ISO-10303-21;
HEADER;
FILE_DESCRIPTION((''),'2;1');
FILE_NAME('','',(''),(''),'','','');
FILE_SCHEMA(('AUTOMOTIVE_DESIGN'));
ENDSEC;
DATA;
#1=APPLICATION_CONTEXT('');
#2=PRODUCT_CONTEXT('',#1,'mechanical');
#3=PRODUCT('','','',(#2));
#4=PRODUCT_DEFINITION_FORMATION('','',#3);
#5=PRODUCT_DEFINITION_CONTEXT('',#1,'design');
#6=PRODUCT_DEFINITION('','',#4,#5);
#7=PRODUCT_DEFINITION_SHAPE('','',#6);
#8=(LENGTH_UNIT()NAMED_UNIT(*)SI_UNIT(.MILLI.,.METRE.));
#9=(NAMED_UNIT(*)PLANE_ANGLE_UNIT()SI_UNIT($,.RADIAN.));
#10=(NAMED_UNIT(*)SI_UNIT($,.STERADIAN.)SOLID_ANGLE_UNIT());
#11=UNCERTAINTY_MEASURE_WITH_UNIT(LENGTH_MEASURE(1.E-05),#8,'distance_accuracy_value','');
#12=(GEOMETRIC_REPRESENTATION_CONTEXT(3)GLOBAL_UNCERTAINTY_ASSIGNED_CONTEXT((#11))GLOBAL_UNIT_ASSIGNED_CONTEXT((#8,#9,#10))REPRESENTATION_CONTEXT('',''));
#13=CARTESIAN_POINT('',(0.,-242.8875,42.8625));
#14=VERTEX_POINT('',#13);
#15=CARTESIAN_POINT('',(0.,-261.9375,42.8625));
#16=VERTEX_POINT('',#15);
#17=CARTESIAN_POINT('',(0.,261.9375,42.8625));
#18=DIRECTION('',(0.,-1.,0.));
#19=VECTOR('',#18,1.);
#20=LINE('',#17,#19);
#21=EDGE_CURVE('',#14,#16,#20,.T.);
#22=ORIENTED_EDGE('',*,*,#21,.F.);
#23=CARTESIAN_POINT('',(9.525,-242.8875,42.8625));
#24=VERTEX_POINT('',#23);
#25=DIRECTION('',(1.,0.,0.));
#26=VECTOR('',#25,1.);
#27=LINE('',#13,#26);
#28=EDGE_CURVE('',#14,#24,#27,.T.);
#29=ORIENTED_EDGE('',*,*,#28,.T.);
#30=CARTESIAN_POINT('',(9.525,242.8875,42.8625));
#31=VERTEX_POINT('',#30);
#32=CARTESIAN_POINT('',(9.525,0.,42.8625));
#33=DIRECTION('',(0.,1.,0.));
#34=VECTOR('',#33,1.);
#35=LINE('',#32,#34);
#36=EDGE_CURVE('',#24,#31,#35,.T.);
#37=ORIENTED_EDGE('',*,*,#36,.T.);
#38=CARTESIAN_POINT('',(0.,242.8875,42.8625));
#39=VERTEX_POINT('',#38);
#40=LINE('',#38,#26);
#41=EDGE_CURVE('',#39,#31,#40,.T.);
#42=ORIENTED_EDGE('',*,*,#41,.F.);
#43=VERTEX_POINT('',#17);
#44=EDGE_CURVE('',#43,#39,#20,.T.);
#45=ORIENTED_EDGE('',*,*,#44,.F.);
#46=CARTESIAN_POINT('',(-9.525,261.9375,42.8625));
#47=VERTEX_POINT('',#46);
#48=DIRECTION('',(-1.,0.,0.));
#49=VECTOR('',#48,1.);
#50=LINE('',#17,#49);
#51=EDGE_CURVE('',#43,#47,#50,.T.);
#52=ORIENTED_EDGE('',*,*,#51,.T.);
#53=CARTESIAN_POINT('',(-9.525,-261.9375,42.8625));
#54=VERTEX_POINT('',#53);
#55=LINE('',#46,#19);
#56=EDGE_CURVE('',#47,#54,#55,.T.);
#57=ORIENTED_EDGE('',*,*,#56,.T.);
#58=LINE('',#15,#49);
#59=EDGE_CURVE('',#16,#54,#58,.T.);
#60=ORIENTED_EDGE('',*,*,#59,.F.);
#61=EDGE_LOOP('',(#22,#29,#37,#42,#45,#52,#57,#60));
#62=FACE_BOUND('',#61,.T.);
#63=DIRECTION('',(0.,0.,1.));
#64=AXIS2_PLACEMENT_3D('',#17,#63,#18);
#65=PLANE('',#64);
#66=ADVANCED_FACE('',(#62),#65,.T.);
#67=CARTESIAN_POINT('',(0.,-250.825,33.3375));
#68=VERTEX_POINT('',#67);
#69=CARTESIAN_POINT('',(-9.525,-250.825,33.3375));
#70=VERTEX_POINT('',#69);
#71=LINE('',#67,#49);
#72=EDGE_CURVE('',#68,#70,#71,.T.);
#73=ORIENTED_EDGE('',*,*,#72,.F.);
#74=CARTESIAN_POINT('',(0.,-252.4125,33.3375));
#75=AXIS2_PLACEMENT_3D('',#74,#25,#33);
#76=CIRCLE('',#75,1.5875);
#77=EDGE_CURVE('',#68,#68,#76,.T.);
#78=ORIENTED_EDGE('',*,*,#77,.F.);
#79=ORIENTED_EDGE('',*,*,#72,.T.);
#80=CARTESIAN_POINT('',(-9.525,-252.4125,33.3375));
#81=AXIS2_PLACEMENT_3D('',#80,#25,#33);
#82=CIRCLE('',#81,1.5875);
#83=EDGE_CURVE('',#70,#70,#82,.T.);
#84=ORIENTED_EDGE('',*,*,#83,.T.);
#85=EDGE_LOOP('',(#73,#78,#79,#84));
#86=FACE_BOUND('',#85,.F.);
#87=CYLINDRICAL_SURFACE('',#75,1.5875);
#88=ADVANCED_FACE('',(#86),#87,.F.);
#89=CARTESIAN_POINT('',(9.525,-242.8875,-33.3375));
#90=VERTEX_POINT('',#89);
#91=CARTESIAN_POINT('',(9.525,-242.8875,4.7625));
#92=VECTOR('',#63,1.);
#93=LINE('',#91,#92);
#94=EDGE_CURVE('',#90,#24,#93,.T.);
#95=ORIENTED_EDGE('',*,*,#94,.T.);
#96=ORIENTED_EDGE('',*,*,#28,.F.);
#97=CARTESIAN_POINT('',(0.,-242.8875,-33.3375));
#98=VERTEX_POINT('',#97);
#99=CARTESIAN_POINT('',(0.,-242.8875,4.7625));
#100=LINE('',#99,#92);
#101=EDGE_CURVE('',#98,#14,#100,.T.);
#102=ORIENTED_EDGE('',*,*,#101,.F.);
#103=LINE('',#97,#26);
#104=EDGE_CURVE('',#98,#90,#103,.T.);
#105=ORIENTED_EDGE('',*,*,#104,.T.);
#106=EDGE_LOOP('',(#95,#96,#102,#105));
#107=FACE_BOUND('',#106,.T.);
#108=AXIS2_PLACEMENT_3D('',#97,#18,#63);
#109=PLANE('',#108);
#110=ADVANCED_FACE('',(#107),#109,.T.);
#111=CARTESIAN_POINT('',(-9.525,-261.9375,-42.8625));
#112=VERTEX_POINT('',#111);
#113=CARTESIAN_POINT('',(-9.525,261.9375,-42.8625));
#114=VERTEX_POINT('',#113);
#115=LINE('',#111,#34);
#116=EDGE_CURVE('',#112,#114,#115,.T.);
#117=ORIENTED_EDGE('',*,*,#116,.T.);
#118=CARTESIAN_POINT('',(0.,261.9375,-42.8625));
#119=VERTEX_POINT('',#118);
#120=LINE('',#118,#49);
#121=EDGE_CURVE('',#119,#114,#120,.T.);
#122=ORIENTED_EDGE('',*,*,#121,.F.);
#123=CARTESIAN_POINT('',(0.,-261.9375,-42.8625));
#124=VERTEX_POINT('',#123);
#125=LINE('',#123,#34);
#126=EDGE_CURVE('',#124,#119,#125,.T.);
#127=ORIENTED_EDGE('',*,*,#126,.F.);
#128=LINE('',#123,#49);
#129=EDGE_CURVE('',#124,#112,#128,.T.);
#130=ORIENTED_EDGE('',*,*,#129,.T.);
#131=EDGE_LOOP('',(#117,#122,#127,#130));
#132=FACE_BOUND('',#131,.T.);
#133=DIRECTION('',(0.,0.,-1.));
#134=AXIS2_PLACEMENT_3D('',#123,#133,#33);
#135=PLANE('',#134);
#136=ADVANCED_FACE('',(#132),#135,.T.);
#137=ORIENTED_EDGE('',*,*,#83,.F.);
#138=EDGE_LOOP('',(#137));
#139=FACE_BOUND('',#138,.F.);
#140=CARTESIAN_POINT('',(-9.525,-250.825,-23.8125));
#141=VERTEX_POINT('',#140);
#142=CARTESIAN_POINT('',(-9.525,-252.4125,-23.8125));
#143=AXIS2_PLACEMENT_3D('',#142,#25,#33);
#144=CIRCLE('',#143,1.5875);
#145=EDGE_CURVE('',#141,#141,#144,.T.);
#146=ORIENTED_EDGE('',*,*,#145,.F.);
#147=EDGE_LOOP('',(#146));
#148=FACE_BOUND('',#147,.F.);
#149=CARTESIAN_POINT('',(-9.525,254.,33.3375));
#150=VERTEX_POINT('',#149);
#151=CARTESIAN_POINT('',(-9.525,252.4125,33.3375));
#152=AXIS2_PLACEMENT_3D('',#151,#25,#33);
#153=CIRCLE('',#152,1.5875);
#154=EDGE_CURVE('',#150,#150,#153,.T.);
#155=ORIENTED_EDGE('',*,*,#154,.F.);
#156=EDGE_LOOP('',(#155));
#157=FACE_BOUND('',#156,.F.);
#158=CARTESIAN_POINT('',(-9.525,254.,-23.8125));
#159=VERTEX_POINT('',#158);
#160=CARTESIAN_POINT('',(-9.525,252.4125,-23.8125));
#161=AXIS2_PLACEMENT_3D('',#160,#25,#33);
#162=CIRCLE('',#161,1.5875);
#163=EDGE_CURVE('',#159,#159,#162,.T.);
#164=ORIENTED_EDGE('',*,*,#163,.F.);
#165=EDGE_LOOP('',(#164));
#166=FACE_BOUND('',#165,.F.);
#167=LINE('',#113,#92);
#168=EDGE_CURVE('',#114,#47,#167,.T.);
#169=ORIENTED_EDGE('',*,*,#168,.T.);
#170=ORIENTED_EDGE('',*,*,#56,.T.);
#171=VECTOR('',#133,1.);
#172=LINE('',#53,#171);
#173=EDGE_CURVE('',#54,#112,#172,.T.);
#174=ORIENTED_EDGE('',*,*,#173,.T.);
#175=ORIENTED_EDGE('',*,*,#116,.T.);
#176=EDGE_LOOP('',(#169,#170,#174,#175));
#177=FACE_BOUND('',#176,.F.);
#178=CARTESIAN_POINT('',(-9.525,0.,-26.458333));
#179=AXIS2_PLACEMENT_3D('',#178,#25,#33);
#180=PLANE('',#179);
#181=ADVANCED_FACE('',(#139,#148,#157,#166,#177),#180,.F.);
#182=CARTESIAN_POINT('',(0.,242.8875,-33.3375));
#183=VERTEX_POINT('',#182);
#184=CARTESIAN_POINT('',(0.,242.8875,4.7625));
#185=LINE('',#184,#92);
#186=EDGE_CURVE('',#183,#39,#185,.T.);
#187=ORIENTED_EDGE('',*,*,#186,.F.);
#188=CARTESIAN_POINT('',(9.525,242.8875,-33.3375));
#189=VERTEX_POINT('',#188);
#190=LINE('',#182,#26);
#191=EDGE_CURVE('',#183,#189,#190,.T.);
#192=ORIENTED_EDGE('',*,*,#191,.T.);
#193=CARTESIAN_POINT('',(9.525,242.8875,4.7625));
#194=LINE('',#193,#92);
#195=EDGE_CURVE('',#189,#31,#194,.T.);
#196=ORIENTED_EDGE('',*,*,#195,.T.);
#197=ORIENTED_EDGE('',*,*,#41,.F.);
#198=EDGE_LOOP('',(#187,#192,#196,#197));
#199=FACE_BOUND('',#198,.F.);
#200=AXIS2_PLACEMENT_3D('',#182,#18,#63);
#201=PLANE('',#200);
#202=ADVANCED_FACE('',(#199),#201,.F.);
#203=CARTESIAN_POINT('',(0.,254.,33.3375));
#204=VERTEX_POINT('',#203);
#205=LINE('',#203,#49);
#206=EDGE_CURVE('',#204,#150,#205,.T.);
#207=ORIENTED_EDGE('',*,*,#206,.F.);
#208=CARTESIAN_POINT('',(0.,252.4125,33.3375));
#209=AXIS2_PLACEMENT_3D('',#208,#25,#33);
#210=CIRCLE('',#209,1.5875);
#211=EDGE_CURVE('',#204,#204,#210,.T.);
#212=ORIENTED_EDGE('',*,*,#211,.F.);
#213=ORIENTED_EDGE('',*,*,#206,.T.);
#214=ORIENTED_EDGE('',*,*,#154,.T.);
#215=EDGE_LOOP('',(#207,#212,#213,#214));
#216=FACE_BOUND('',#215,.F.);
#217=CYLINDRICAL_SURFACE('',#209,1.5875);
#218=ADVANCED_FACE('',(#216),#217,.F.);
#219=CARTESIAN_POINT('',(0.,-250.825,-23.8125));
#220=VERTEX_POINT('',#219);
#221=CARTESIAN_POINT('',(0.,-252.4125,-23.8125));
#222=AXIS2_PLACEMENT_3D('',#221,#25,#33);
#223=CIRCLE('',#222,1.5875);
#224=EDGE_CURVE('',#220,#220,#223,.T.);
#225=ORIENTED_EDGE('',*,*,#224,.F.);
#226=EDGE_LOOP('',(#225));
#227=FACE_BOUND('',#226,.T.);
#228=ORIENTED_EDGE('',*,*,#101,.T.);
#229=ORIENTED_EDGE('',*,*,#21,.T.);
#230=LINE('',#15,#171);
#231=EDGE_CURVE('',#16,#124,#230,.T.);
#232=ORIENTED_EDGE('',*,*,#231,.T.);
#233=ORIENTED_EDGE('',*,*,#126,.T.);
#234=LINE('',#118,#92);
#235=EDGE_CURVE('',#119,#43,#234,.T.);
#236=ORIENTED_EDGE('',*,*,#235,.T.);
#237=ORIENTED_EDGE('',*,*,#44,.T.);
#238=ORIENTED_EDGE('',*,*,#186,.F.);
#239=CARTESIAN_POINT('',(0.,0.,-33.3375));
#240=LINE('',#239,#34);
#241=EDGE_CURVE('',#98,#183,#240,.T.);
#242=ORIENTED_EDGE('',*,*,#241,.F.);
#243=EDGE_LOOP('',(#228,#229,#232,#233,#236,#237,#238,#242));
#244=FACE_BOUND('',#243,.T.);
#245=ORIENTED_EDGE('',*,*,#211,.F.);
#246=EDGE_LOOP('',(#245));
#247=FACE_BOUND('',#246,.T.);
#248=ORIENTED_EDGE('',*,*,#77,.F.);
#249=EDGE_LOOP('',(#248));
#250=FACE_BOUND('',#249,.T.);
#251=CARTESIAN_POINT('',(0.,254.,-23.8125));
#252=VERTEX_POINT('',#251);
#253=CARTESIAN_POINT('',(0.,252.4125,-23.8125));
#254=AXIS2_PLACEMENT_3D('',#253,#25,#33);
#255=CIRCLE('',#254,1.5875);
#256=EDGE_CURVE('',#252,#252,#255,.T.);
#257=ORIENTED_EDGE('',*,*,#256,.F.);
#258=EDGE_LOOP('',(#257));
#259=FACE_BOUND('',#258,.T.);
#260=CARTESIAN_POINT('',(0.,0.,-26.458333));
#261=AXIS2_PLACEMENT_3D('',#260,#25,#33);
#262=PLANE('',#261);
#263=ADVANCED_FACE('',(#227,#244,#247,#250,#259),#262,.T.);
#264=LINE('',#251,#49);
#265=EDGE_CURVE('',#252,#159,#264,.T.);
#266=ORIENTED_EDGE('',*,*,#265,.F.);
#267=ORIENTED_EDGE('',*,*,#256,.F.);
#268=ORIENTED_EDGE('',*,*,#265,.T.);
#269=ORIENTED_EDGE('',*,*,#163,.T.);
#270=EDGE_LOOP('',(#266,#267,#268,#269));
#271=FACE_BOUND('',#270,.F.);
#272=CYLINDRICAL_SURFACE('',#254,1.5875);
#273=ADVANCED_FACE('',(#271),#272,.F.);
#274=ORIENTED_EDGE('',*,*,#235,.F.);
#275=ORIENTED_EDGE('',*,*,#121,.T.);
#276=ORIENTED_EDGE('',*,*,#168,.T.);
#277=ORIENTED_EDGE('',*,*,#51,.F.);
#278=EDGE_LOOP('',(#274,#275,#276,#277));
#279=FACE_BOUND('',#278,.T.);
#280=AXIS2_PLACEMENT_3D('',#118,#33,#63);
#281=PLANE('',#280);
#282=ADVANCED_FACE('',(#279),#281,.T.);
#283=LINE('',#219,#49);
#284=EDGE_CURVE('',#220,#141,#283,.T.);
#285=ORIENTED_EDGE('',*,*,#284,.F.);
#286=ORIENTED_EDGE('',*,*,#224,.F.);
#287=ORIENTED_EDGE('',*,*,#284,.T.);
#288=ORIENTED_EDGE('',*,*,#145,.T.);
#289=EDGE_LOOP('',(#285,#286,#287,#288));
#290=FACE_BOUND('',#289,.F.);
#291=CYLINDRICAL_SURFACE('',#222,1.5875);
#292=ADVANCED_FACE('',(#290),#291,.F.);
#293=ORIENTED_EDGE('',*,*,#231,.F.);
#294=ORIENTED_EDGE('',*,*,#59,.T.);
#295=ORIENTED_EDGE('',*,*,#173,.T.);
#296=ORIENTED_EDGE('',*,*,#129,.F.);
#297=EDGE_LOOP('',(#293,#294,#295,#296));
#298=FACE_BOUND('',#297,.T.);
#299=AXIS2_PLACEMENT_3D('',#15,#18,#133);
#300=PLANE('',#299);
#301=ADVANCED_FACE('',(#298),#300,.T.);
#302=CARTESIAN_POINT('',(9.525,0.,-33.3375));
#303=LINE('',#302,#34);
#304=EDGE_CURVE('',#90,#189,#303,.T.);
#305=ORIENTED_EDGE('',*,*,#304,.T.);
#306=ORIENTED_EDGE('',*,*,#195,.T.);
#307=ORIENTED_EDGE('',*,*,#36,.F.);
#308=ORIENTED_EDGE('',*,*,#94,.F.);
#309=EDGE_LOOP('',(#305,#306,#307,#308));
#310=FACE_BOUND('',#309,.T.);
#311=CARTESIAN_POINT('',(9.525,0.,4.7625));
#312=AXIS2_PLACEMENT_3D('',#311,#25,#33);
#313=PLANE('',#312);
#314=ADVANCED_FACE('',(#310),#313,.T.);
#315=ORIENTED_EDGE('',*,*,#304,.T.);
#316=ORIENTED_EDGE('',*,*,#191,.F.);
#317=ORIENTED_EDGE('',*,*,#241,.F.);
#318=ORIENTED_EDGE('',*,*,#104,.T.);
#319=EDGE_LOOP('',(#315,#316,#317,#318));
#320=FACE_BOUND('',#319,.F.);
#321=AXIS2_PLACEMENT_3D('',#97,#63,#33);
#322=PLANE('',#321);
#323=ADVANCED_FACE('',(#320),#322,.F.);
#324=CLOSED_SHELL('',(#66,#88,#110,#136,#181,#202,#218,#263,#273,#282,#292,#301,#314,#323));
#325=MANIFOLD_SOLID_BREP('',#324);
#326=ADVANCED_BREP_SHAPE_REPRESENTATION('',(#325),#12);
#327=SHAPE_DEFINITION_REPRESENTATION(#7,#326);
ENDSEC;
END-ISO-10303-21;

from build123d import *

# Parameters (mm, degrees)
F0_W     = 485.775
F0_H     = 76.2
F1_DEPTH = 9.525
F0_R     = 1.5875
F2_DEPTH = 9.525


with BuildPart() as f1:
    # F0 (on Right) → F1 (new body)
    with BuildSketch(Plane.YZ):
        with Locations((0, 4.7625)):
            Rectangle(F0_W, F0_H)
    extrude(amount=F1_DEPTH)

    # F0 (on Right) → F2 (join)
    with BuildSketch(Plane.YZ):
        Polygon((-261.9375, -42.8625), (261.9375, -42.8625), (261.9375, 42.8625), (242.8875, 42.8625), (242.8875, -33.3375), (-242.8875, -33.3375), (-242.8875, 42.8625), (-261.9375, 42.8625), align=None)
        with Locations((-252.4125, -23.8125)):
            Circle(F0_R, mode=Mode.SUBTRACT)
        with Locations((252.4125, -23.8125)):
            Circle(F0_R, mode=Mode.SUBTRACT)
        with Locations((-252.4125, 33.3375)):
            Circle(F0_R, mode=Mode.SUBTRACT)
        with Locations((252.4125, 33.3375)):
            Circle(F0_R, mode=Mode.SUBTRACT)
        with Locations((0, 4.7625)):
            Rectangle(F0_W, F0_H)
    extrude(amount=-F2_DEPTH)


solid = f1.part
